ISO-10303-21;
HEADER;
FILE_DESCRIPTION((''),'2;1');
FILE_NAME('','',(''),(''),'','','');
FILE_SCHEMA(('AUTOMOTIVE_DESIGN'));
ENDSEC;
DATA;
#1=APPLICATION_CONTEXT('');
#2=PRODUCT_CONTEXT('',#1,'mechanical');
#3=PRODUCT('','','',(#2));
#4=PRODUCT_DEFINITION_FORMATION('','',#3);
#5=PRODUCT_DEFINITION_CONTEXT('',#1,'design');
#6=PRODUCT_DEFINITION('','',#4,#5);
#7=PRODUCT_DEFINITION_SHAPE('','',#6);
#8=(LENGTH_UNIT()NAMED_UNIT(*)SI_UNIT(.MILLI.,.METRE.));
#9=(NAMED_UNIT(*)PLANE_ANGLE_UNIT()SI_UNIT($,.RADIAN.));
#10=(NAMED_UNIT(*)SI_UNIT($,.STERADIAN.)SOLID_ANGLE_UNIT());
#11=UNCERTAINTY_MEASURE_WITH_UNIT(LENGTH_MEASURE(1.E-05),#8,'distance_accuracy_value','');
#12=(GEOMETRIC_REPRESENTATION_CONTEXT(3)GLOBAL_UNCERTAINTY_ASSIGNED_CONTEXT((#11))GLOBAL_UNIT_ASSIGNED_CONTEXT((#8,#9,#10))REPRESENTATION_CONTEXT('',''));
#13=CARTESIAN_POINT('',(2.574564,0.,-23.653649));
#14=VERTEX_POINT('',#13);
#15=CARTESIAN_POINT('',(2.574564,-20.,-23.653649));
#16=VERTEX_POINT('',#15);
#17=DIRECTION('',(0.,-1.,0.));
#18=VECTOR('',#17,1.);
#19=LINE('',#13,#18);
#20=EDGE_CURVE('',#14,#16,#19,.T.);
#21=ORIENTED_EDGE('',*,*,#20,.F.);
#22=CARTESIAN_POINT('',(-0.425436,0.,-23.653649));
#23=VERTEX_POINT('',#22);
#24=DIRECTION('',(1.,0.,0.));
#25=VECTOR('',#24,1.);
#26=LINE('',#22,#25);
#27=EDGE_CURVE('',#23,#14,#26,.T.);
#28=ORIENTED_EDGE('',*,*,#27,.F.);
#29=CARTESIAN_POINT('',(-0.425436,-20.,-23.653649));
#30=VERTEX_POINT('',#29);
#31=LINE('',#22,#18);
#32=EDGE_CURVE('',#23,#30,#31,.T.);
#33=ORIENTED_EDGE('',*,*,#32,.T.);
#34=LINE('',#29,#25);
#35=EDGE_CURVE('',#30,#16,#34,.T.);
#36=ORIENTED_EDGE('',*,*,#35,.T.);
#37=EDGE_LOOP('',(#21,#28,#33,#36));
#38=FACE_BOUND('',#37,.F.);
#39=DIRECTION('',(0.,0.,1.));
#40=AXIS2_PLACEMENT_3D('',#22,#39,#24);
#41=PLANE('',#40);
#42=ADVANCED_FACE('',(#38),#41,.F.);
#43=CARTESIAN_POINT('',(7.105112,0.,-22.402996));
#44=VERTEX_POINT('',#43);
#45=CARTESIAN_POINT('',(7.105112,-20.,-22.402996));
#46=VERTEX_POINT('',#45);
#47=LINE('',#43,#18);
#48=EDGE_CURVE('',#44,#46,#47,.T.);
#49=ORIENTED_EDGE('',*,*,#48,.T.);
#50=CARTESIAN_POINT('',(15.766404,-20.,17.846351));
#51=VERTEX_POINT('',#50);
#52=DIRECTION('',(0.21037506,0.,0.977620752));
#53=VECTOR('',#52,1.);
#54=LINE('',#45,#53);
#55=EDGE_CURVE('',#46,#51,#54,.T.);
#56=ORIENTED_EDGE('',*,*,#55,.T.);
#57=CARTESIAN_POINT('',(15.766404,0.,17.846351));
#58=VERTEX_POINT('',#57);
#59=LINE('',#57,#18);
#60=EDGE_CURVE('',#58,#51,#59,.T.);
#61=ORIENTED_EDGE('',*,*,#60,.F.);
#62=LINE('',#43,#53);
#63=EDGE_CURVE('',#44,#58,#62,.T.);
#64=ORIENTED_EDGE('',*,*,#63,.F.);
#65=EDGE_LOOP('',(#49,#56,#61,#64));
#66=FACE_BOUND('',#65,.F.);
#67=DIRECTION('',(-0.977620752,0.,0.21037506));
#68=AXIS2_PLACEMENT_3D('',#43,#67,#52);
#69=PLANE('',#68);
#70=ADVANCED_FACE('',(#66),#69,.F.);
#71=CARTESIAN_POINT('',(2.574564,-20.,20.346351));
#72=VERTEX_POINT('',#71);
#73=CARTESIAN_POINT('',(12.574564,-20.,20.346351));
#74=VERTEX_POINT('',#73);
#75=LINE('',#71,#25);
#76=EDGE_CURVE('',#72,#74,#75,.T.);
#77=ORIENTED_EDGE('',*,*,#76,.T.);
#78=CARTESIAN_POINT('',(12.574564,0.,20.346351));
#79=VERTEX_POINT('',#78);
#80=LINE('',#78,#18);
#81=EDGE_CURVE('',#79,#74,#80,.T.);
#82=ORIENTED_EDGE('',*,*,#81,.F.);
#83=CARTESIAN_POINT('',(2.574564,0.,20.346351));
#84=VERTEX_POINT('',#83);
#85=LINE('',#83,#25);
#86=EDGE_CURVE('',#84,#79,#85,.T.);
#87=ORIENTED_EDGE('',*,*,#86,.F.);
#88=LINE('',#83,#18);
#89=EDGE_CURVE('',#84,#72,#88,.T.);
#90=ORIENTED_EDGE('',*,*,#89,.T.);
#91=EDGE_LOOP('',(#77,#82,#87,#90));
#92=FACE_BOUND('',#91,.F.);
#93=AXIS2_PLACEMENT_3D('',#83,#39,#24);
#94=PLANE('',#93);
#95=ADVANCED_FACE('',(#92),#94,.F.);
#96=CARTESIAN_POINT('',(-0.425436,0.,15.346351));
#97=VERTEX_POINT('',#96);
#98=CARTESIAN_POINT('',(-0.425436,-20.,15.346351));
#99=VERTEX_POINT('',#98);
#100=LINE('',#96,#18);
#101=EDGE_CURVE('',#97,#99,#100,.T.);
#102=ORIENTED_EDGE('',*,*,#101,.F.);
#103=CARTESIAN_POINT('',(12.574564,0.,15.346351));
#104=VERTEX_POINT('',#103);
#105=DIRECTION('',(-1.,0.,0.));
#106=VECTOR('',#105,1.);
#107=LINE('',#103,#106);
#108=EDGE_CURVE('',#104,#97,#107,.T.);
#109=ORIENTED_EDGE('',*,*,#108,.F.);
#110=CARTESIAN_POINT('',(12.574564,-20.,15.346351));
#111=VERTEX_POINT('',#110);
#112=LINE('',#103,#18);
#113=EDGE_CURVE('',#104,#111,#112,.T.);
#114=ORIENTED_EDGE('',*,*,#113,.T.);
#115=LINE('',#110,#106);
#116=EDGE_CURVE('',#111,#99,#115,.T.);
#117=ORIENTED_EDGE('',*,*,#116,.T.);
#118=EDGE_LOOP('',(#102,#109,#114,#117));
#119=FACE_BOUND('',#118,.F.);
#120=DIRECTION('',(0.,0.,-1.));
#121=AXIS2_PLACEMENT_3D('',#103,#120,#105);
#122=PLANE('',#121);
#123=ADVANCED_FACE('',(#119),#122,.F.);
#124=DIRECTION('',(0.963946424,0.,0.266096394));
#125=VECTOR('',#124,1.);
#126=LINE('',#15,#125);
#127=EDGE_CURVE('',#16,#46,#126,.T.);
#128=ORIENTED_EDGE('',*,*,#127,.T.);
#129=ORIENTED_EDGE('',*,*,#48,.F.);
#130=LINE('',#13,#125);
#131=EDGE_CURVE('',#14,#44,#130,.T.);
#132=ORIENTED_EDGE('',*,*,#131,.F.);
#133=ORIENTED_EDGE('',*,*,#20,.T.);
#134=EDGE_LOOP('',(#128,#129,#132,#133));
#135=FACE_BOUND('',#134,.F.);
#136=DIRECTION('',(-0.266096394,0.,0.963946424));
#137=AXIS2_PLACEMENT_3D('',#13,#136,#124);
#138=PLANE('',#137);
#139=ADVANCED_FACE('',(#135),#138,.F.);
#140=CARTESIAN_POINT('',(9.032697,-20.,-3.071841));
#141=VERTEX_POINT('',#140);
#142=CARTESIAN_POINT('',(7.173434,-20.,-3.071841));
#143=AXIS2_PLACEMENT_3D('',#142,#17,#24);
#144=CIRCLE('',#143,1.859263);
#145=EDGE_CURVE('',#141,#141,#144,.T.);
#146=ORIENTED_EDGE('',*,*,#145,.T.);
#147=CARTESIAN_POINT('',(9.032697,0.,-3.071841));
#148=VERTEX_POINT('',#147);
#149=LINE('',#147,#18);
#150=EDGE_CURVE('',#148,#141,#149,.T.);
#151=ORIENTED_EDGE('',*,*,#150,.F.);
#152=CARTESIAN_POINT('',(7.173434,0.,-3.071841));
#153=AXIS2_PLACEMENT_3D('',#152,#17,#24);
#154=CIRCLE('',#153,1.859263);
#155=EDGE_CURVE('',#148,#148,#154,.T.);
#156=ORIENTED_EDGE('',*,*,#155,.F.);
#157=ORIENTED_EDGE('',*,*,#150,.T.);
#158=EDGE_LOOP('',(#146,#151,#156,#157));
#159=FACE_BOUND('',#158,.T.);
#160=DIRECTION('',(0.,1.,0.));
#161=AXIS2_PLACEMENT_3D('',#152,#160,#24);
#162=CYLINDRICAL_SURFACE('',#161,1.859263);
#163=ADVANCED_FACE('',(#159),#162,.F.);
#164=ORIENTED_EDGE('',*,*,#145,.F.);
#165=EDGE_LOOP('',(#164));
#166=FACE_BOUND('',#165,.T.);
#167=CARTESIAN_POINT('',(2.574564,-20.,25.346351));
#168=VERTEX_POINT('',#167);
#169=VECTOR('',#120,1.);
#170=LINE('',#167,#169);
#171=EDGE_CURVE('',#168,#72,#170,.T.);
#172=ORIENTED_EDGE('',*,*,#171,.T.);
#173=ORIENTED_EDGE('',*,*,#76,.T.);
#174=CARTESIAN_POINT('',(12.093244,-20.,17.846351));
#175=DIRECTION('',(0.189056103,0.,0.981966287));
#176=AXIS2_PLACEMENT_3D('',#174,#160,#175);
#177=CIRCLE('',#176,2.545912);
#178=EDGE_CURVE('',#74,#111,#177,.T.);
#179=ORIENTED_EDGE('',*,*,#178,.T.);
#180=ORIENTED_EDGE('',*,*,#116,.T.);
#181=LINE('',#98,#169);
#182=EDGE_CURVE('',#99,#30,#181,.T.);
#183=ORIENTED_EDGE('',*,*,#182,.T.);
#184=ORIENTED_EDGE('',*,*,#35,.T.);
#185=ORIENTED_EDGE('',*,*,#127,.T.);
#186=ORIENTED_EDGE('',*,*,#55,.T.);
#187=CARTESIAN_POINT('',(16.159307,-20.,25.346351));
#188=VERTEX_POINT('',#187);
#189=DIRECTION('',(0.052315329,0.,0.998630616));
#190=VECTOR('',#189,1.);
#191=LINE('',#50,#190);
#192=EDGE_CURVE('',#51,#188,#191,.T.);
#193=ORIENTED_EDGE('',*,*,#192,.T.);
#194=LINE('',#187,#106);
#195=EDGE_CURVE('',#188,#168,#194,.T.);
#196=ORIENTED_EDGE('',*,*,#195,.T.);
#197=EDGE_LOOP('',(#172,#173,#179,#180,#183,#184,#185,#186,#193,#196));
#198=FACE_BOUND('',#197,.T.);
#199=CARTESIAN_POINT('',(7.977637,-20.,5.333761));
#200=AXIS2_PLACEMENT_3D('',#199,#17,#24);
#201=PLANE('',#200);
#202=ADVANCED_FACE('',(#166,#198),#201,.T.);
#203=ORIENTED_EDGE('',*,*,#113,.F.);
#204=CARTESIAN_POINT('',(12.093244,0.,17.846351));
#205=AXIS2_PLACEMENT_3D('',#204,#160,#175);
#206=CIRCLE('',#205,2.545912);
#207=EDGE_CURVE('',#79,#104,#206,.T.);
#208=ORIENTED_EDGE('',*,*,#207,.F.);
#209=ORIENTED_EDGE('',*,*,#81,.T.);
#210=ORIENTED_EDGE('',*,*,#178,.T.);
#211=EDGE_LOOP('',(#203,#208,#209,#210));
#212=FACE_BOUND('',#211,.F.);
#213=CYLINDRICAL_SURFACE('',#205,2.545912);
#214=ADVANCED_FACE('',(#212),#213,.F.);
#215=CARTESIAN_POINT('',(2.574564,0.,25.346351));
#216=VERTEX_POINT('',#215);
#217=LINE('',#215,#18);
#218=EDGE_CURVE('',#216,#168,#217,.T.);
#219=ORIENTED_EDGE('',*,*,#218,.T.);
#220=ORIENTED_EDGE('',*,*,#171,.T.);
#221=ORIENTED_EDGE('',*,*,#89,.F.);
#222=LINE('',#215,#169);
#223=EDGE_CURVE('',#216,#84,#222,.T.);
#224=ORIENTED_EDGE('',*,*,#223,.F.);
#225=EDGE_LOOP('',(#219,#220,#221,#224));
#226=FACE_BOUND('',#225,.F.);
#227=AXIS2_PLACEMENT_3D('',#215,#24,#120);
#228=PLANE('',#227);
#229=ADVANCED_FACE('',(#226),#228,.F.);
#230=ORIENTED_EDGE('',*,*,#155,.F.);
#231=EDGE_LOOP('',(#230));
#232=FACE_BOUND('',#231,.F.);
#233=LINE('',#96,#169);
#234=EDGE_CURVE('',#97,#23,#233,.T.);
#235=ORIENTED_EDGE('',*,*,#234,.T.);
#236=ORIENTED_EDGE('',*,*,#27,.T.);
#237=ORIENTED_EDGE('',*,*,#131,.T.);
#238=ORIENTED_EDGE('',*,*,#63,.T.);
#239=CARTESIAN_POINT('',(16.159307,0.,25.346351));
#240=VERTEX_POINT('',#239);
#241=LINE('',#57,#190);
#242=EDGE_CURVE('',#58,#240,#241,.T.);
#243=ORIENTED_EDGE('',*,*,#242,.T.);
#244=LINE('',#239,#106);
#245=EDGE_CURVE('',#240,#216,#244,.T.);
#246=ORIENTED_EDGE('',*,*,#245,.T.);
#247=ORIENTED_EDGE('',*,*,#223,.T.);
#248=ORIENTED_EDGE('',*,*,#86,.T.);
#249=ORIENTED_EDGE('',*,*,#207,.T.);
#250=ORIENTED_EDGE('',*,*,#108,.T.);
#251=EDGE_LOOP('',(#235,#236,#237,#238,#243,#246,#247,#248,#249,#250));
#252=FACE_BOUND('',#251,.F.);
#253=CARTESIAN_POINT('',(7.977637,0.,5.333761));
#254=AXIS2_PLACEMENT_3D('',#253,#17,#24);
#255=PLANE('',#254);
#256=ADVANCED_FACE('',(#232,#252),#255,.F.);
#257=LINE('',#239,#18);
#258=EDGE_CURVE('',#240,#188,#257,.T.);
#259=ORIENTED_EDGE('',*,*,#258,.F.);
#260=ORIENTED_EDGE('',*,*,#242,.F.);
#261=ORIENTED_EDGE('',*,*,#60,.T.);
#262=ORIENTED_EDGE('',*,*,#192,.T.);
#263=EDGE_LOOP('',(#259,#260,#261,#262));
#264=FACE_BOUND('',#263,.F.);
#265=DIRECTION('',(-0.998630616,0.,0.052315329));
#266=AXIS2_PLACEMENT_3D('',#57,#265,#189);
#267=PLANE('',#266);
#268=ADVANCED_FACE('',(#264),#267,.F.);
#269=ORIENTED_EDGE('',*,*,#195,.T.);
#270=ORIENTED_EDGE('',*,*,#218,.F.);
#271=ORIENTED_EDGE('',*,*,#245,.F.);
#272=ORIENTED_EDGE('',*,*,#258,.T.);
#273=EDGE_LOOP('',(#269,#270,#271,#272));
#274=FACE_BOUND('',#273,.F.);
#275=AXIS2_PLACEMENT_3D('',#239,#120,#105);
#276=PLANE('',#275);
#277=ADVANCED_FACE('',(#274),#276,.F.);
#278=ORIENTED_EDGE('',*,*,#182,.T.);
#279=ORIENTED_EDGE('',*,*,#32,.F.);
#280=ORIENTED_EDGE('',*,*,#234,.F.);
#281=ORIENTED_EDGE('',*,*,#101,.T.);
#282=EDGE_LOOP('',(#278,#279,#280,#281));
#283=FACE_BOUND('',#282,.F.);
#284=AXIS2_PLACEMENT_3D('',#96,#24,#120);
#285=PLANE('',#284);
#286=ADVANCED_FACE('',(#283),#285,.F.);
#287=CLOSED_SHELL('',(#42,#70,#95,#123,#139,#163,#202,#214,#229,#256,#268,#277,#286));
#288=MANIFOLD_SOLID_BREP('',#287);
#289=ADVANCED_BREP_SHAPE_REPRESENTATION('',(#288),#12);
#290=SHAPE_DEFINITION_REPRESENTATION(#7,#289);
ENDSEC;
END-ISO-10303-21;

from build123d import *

# Parameters (mm, degrees)
F0_R     = 1.859263
F1_DEPTH = 20


with BuildPart() as f1:
    # F0 (on Front) → F1 (new body)
    with BuildSketch(Plane.XZ):
        with BuildLine():
            Line((7.105112, -22.402996), (15.766404, 17.846351))
            Line((15.766404, 17.846351), (16.159307, 25.346351))
            Line((16.159307, 25.346351), (2.574564, 25.346351))
            Line((2.574564, 25.346351), (2.574564, 20.346351))
            Line((2.574564, 20.346351), (12.574564, 20.346351))
            ThreePointArc((12.574564, 20.346351), (14.639156, 17.846351), (12.574564, 15.346351))
            Line((12.574564, 15.346351), (2.574564, 15.346351))
            Line((2.574564, 15.346351), (2.574564, 11.346351))
            Line((2.574564, 11.346351), (2.574564, -23.653649))
            Line((2.574564, -23.653649), (7.105112, -22.402996))
        make_face()
        with Locations((7.173434, -3.071841)):
            Circle(F0_R, mode=Mode.SUBTRACT)
        Polygon((-0.425436, -23.653649), (2.574564, -23.653649), (2.574564, 11.346351), (2.574564, 15.346351), (-0.425436, 15.346351), align=None)
    extrude(amount=F1_DEPTH)


solid = f1.part
